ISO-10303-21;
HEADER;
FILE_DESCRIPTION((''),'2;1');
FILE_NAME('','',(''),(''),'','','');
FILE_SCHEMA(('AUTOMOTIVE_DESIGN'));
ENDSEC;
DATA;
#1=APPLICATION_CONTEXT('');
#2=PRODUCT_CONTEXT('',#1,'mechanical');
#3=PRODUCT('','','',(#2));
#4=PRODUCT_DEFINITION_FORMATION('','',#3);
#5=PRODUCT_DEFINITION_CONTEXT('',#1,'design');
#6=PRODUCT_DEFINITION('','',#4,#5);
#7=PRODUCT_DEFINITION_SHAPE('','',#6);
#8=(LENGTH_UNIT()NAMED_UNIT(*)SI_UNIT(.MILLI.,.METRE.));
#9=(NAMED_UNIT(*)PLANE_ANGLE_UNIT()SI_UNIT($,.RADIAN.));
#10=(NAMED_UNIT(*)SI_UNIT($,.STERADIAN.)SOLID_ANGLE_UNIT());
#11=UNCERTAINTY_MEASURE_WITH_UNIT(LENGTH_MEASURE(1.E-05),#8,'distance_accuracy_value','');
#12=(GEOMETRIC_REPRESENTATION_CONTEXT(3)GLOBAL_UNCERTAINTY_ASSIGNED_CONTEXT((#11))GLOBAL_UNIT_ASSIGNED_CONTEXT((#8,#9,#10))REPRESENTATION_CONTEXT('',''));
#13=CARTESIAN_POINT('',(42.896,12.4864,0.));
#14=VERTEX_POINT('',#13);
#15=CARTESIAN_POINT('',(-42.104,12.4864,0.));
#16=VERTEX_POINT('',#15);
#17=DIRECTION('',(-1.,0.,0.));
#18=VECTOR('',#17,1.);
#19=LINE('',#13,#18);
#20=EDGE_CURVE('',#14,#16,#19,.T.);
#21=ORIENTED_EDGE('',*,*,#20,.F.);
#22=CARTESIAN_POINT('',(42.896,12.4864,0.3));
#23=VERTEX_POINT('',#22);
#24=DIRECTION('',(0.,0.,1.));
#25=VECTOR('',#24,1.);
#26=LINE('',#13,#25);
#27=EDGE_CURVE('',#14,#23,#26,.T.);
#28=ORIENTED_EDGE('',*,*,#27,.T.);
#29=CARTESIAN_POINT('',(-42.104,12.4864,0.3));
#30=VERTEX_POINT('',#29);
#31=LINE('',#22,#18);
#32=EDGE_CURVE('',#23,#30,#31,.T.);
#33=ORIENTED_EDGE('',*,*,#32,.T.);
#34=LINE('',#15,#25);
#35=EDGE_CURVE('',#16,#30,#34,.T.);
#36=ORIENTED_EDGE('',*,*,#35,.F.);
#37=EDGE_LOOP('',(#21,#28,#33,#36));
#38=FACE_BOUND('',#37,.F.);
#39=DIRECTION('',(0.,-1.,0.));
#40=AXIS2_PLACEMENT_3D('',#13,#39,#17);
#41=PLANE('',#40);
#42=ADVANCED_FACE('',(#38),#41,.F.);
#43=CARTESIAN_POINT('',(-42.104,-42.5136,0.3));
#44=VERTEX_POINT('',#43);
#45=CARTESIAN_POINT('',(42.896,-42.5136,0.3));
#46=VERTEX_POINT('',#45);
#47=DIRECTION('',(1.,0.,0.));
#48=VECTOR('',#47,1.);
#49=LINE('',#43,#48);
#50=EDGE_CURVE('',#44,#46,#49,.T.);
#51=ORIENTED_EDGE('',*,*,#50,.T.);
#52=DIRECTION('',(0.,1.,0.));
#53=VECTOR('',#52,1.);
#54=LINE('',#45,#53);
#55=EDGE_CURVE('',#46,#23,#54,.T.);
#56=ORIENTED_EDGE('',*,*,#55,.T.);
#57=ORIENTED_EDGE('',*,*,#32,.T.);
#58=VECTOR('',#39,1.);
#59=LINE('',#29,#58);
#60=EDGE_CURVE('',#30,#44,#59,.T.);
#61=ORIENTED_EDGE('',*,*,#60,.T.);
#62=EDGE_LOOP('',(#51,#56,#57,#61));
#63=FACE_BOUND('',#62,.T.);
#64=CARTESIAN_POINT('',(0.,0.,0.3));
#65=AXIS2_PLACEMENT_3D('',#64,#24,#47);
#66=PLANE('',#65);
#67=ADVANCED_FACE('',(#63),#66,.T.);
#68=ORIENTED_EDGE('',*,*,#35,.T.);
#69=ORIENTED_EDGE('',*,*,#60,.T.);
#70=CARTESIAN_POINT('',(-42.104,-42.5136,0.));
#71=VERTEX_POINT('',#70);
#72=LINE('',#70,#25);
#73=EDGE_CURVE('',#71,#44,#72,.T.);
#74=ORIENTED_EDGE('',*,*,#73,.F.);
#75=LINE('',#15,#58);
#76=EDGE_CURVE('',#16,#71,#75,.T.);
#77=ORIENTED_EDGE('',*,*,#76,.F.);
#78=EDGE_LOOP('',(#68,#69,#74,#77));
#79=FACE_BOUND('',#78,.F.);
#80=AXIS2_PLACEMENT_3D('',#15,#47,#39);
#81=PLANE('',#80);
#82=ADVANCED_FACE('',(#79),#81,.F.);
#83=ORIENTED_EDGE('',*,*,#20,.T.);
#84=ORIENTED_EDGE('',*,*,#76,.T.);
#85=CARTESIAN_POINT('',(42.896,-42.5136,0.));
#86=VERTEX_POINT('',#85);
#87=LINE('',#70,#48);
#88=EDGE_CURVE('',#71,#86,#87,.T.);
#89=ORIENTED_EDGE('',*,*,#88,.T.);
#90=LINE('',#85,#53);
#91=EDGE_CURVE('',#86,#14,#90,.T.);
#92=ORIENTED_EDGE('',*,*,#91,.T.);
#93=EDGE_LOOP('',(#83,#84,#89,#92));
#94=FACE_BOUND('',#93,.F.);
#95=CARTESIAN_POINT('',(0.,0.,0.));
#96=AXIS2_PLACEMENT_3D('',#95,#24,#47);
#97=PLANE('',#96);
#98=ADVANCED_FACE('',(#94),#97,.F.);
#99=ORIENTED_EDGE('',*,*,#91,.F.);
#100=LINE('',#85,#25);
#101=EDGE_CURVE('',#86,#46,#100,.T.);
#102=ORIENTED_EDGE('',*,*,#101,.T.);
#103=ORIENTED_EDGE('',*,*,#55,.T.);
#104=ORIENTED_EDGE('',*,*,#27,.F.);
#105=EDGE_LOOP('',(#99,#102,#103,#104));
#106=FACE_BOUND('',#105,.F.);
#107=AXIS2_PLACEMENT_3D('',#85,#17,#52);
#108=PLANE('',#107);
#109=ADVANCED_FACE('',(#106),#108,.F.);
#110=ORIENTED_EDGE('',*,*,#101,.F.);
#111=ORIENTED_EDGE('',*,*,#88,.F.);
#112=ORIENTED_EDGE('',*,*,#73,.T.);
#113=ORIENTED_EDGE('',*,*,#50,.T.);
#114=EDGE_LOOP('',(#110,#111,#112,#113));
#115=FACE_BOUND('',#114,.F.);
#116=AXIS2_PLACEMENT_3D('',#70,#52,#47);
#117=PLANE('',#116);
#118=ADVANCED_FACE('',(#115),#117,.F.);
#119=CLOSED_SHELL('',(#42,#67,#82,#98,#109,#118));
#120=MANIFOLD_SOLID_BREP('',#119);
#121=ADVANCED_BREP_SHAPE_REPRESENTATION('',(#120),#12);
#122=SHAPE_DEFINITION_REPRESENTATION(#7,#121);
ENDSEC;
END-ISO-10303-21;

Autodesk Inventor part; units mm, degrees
ref_plane "YZ Plane" through (0, 0, 0) normal (1, 0, 0) x (0, 1, 0)
ref_plane "XZ Plane" through (0, 0, 0) normal (0, 1, 0) x (-1, 0, 0)
ref_plane "XY Plane" through (0, 0, 0) normal (0, 0, 1) x (1, 0, 0)
ref_plane "Work Plane1" through (0, 0, 0) normal (0, 0, 1) x (1, 0, 0)
sketch "Sketch1" plane through (0, 0, 0) normal (0, 0, 1) x (1, 0, 0)
  line L0 (-42.604, -15.0136) -> (43.396, -15.0136) construction
  line L1 (-42.604, -15.0136) -> (43.396, -15.0136) construction
  line L2 (0.396, 12.9864) -> (0.396, -43.0136) construction
  line L3 (-42.104, -42.5136) -> (42.896, -42.5136)
  line L4 (42.896, -42.5136) -> (42.896, 12.4864)
  line L5 (42.896, 12.4864) -> (-42.104, 12.4864)
  line L6 (-42.104, 12.4864) -> (-42.104, -42.5136)
  line L7 (-42.104, -42.5136) -> (42.896, 12.4864) construction
  line L8 (42.896, -42.5136) -> (-42.104, 12.4864) construction
  point P0 (0.396, -15.0136)
  dimension "d3" = 85
  dimension "d4" = 55
extrude "Extrusion1" add sketch "Sketch1" along normal blind 0.3
properties part number "BusinessCard" material "Rubber"
